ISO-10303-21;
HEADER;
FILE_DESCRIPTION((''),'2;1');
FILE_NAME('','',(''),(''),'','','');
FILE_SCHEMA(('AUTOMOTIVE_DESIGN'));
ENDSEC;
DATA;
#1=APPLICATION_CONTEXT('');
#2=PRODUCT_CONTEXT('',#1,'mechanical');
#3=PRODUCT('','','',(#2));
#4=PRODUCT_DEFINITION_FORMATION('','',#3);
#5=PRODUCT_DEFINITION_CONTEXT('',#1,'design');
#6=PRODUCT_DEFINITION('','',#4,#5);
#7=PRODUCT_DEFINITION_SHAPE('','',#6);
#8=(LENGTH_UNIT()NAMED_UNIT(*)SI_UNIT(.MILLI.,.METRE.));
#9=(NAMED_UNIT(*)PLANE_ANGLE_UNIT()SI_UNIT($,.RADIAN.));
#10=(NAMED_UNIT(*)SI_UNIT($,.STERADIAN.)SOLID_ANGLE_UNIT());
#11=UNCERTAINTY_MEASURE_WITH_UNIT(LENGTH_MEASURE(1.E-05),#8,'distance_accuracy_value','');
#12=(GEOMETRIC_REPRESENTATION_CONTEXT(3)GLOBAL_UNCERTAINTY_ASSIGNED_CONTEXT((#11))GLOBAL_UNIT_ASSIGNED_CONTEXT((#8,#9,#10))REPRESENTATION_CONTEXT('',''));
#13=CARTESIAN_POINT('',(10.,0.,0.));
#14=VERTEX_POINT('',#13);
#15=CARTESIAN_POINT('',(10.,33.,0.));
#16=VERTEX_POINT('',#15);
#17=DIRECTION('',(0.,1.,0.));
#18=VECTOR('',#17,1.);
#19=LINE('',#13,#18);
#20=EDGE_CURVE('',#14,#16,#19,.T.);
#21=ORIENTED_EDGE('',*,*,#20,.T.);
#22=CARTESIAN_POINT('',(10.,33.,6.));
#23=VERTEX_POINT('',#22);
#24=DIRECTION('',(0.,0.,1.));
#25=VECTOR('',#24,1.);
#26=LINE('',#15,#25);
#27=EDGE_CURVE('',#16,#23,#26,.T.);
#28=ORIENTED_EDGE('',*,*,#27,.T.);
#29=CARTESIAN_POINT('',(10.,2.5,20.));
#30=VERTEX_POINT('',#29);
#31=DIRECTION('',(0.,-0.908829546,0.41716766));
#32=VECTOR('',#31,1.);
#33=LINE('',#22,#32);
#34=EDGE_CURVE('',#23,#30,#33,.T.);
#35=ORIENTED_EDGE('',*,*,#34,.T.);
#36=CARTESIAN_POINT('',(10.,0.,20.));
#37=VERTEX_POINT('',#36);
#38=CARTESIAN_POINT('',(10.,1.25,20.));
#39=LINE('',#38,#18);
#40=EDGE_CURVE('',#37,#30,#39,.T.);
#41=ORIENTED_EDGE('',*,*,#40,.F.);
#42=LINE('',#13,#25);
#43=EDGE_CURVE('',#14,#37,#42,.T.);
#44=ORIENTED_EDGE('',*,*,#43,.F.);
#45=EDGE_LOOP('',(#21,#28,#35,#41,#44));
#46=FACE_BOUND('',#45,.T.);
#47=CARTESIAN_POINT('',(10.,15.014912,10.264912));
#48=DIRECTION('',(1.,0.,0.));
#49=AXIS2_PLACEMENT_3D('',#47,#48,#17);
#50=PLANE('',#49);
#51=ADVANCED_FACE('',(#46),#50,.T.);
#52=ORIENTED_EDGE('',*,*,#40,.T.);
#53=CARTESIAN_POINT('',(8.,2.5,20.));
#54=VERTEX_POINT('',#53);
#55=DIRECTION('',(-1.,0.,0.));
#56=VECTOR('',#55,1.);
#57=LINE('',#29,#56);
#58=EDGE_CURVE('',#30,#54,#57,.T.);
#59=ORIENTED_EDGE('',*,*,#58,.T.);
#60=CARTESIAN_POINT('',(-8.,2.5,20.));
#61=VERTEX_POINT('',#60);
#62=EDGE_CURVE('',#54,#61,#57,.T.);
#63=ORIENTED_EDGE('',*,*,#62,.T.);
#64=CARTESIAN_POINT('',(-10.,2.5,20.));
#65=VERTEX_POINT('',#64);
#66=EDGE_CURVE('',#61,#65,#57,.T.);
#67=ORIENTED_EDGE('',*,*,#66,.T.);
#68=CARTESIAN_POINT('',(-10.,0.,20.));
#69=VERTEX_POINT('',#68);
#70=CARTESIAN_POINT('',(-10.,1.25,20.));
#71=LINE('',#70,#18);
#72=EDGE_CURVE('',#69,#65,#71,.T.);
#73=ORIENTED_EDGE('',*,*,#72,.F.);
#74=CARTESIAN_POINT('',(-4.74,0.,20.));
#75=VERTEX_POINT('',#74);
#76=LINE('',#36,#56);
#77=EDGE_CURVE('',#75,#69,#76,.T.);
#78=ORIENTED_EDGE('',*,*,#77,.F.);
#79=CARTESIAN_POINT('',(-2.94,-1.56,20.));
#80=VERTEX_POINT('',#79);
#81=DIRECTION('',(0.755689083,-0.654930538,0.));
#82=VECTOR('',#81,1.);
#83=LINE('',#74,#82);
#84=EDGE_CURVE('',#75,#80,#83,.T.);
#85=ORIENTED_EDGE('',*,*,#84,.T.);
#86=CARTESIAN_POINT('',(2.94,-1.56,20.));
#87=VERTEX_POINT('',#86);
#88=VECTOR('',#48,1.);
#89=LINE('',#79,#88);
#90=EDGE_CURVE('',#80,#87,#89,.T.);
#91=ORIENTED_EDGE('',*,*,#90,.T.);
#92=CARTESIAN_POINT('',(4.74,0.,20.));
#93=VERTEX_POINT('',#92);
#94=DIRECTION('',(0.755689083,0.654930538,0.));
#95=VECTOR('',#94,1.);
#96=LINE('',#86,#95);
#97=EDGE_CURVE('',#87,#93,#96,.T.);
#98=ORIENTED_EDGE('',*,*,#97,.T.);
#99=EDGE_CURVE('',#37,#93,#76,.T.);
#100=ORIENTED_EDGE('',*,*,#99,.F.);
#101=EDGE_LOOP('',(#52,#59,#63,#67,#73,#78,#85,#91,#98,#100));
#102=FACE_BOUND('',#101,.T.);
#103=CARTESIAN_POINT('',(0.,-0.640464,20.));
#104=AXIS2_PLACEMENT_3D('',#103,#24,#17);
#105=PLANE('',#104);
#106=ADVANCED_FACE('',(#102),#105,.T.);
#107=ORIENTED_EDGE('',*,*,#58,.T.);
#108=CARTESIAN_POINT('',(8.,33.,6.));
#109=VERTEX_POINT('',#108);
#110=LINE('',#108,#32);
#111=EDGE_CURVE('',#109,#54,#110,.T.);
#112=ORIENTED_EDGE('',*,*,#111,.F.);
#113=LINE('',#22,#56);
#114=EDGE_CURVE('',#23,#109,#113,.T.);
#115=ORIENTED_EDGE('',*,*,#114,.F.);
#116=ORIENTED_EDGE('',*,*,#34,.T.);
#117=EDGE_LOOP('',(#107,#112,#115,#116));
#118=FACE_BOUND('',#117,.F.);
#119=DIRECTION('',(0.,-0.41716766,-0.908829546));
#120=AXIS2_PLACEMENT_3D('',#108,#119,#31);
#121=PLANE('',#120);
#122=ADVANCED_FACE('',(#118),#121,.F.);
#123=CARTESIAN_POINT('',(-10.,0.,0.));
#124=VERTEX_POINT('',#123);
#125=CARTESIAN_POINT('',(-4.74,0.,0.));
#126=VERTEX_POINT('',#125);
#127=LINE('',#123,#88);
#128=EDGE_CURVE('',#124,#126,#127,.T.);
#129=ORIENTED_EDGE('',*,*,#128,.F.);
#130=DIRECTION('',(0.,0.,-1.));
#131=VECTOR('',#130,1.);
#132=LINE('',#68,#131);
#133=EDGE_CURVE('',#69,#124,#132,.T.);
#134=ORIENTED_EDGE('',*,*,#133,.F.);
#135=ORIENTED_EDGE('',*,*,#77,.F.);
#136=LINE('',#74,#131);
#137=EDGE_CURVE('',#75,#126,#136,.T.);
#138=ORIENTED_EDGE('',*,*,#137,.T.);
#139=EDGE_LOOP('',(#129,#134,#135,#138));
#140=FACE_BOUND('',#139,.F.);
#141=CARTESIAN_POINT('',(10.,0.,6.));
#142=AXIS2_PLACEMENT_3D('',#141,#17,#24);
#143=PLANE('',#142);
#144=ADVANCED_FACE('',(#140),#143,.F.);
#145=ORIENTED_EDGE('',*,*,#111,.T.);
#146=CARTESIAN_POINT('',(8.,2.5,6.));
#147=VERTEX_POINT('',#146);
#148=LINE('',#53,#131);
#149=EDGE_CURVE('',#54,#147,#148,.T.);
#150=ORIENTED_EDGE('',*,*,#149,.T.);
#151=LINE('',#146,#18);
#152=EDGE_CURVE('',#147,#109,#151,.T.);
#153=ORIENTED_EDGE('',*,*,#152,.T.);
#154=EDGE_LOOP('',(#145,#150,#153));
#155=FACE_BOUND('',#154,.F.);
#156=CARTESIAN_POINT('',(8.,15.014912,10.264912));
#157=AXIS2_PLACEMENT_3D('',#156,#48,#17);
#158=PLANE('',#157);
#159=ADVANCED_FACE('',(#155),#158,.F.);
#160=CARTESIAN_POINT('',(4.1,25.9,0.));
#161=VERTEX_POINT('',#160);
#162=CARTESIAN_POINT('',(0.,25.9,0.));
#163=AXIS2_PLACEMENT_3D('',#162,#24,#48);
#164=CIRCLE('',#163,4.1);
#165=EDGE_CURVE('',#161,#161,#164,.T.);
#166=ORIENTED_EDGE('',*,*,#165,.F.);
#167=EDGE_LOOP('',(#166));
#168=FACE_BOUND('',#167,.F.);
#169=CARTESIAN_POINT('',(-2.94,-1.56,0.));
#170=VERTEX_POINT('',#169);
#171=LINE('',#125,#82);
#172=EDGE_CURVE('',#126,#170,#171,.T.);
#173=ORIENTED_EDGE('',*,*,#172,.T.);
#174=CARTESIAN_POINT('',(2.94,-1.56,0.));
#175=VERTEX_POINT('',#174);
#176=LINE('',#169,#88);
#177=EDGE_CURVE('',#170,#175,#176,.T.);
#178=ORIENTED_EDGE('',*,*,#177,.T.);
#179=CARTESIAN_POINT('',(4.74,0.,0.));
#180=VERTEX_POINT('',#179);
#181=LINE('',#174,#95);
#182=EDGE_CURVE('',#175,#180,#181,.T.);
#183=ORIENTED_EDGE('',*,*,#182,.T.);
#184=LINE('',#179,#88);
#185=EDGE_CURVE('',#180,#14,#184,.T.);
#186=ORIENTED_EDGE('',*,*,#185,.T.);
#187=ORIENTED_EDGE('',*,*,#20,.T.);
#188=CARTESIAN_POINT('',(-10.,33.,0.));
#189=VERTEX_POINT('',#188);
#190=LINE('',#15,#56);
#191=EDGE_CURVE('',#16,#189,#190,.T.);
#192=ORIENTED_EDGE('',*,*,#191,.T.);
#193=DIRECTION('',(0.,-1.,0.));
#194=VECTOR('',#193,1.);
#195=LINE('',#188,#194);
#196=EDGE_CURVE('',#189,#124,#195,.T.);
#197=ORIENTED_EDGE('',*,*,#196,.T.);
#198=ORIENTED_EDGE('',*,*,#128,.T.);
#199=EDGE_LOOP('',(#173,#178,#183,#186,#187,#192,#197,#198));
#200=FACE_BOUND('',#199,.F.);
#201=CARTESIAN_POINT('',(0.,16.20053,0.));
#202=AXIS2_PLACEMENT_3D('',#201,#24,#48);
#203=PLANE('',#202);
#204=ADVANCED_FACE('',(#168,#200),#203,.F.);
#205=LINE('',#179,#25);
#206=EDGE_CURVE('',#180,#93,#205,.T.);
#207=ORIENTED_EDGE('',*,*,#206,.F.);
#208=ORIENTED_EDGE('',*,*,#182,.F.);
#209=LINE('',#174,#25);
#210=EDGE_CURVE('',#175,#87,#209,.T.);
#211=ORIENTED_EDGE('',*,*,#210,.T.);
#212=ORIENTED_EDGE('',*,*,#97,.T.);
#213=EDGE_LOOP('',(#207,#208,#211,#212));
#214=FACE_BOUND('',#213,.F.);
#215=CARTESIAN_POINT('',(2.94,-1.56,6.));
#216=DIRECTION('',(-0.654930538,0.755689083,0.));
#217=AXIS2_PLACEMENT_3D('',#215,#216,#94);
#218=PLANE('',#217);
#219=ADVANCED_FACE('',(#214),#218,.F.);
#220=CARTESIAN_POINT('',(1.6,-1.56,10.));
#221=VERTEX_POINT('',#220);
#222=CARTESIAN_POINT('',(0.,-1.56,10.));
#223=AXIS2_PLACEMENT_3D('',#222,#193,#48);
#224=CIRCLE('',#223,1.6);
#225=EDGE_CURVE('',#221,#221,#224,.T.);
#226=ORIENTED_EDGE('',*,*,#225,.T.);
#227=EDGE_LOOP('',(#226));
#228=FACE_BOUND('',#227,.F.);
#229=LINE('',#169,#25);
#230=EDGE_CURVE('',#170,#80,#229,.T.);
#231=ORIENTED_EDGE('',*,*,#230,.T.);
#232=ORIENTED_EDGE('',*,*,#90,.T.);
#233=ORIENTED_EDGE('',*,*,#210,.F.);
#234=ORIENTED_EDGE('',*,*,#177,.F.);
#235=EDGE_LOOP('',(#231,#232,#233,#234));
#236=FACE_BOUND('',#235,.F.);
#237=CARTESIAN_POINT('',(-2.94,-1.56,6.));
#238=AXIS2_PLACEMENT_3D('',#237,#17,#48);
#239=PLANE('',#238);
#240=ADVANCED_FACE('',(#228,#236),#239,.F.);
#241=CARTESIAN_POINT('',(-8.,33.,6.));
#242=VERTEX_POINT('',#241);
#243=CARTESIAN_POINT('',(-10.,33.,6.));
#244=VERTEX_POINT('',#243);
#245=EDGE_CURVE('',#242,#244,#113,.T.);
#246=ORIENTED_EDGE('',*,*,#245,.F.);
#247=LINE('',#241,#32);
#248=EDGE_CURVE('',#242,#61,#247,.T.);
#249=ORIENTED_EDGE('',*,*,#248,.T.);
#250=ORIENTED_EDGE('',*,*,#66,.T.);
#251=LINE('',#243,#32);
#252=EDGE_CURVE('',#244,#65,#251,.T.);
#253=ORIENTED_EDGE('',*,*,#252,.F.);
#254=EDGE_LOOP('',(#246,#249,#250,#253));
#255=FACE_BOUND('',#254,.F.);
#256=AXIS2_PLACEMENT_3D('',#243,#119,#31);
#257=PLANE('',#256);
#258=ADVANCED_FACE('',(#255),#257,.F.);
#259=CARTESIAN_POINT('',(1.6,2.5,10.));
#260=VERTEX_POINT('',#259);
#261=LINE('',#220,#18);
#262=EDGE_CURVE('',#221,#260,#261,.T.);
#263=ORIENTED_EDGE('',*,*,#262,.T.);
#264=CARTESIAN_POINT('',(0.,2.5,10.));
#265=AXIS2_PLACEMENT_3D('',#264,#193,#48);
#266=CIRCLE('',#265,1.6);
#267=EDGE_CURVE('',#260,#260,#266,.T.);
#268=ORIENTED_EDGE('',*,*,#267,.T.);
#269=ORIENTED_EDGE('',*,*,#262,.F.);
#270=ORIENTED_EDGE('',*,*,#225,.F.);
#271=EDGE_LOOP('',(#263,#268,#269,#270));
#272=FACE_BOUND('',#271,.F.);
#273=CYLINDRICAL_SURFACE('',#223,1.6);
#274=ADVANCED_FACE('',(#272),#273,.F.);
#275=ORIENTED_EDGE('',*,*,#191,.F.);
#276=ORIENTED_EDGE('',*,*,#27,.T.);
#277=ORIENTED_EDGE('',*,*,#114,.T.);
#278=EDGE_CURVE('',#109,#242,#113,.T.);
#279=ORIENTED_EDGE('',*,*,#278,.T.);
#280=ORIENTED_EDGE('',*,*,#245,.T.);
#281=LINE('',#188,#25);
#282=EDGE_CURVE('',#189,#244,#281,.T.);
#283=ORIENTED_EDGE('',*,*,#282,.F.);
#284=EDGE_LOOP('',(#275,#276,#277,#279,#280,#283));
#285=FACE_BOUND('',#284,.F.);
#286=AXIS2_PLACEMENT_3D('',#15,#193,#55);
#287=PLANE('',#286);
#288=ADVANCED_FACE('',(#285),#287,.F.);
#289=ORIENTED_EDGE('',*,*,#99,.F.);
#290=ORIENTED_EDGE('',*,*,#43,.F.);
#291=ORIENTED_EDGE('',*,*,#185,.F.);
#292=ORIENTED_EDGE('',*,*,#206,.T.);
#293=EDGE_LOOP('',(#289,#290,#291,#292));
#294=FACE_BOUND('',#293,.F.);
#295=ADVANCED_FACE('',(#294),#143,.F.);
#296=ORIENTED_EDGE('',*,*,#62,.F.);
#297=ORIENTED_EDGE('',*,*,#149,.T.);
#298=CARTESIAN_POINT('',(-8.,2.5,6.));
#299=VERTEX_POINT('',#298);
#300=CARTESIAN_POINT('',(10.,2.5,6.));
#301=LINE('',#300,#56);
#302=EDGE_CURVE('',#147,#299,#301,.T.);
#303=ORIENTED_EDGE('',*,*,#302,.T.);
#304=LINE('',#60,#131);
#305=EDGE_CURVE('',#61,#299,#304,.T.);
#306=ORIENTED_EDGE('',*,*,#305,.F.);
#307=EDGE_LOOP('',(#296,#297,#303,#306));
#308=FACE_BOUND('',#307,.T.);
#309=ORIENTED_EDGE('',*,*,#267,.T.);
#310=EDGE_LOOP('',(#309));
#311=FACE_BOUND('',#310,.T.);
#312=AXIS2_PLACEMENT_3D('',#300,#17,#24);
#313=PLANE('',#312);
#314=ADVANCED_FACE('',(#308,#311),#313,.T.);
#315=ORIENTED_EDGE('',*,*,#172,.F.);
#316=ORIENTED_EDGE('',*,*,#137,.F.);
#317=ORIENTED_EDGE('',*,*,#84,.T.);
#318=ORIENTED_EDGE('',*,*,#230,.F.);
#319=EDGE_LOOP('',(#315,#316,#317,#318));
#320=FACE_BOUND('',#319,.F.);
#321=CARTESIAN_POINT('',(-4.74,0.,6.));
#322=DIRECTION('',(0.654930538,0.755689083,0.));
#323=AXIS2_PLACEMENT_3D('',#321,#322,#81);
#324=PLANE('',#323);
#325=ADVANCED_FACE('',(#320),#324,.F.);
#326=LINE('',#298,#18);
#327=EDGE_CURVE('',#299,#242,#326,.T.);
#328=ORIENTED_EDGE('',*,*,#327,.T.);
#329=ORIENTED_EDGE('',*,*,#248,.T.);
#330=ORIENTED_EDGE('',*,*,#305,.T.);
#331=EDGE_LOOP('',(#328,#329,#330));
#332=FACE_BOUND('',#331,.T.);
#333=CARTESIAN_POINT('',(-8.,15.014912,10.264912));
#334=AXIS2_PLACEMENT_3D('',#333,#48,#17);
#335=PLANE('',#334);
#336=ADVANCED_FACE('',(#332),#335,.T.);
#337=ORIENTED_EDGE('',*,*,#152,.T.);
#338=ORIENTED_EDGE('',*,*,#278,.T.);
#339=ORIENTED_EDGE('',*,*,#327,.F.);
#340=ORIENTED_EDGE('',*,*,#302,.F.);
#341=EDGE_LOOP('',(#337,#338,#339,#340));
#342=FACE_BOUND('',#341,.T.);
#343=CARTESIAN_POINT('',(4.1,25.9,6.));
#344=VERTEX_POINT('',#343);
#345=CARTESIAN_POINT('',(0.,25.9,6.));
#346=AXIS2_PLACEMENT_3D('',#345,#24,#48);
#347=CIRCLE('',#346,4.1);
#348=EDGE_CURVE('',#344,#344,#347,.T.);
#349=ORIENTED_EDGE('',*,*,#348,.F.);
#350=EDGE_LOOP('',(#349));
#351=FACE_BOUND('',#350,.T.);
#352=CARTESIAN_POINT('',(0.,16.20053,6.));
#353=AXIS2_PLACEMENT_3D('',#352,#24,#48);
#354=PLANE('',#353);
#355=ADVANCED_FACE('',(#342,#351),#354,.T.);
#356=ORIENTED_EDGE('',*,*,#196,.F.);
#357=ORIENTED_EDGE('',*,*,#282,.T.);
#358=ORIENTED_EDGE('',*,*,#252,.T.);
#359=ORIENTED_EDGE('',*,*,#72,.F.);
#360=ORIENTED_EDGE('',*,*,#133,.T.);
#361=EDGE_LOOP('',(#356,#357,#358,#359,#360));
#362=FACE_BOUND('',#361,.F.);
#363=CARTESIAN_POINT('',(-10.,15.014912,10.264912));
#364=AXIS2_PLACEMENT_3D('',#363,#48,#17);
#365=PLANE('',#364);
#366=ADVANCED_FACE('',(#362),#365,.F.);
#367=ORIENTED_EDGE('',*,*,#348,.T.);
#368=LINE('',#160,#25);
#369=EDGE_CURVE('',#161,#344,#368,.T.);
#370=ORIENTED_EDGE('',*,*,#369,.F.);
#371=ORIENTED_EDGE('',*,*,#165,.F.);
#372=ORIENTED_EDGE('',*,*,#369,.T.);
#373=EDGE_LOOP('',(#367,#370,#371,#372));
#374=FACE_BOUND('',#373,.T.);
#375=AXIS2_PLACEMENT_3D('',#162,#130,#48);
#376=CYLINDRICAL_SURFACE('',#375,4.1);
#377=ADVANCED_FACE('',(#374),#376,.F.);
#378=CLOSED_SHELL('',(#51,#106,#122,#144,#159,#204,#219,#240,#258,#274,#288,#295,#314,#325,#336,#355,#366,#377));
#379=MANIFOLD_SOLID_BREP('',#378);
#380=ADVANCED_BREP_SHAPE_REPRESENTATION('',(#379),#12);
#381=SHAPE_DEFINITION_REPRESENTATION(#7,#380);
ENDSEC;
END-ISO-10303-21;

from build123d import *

# Parameters (mm, degrees)
SKETCH_R            = 4.1
PAD_DEPTH           = 6
SKETCH001_W         = 2.5
SKETCH001_H         = 14
PAD001_DEPTH        = 20
PAD002_DEPTH        = 14
PAD003_DEPTH        = 2
LINEARPATTERN_COUNT = 2
LINEARPATTERN_PITCH = 18
SKETCH003_R         = 1.6
POCKET_DEPTH        = 34.561


with BuildPart() as part:
    # Sketch → Pad (new body)
    with BuildSketch(Plane.XY):
        Polygon((-4.74, 0), (-2.94, -1.56), (2.94, -1.56), (4.74, 0), (10, 0), (10, 33), (-10, 33), (-10, 0), align=None)
        with Locations((0, 25.9)):
            Circle(SKETCH_R, mode=Mode.SUBTRACT)
    extrude(amount=PAD_DEPTH)

    # Sketch001 (on Face5 of Pad) → Pad001 (join)
    with BuildSketch(Plane.YZ.offset(10)):
        with Locations((1.25, 13)):
            Rectangle(SKETCH001_W, SKETCH001_H)
    extrude(amount=-PAD001_DEPTH)

    # Pad001 Face5 → Pad002 (add)
    with BuildSketch(Plane(origin=(0, -0.719062, 6), x_dir=(0, 1, 0), z_dir=(0, 0, 1))):
        Polygon((0.719062, -4.74), (0.719062, 4.74), (-0.840938, 2.94), (-0.840938, -2.94), align=None)
    extrude(amount=PAD002_DEPTH)

    # Sketch002 (on Face6 of Pad002) → Pad003 (join)
    with BuildSketch(Plane(origin=(-10, 0, 0), x_dir=(0, -1, 0), z_dir=(-1, 0, 0))):
        Polygon((-33, 6), (-2.5, 20), (-2.5, 6), align=None)
    pad003 = extrude(amount=-PAD003_DEPTH)

    # LinearPattern: Pad003 ×2
    with Locations(*[(i * LINEARPATTERN_PITCH, 0, 0) for i in range(1, LINEARPATTERN_COUNT)]):
        add(pad003)

    # Sketch003 (on Face9 of LinearPattern) → Pocket (cut, through all)
    with BuildSketch(Plane.XZ.offset(1.56)):
        with Locations((0, 10)):
            Circle(SKETCH003_R)
    extrude(amount=-POCKET_DEPTH, mode=Mode.SUBTRACT)


solid = part.part
